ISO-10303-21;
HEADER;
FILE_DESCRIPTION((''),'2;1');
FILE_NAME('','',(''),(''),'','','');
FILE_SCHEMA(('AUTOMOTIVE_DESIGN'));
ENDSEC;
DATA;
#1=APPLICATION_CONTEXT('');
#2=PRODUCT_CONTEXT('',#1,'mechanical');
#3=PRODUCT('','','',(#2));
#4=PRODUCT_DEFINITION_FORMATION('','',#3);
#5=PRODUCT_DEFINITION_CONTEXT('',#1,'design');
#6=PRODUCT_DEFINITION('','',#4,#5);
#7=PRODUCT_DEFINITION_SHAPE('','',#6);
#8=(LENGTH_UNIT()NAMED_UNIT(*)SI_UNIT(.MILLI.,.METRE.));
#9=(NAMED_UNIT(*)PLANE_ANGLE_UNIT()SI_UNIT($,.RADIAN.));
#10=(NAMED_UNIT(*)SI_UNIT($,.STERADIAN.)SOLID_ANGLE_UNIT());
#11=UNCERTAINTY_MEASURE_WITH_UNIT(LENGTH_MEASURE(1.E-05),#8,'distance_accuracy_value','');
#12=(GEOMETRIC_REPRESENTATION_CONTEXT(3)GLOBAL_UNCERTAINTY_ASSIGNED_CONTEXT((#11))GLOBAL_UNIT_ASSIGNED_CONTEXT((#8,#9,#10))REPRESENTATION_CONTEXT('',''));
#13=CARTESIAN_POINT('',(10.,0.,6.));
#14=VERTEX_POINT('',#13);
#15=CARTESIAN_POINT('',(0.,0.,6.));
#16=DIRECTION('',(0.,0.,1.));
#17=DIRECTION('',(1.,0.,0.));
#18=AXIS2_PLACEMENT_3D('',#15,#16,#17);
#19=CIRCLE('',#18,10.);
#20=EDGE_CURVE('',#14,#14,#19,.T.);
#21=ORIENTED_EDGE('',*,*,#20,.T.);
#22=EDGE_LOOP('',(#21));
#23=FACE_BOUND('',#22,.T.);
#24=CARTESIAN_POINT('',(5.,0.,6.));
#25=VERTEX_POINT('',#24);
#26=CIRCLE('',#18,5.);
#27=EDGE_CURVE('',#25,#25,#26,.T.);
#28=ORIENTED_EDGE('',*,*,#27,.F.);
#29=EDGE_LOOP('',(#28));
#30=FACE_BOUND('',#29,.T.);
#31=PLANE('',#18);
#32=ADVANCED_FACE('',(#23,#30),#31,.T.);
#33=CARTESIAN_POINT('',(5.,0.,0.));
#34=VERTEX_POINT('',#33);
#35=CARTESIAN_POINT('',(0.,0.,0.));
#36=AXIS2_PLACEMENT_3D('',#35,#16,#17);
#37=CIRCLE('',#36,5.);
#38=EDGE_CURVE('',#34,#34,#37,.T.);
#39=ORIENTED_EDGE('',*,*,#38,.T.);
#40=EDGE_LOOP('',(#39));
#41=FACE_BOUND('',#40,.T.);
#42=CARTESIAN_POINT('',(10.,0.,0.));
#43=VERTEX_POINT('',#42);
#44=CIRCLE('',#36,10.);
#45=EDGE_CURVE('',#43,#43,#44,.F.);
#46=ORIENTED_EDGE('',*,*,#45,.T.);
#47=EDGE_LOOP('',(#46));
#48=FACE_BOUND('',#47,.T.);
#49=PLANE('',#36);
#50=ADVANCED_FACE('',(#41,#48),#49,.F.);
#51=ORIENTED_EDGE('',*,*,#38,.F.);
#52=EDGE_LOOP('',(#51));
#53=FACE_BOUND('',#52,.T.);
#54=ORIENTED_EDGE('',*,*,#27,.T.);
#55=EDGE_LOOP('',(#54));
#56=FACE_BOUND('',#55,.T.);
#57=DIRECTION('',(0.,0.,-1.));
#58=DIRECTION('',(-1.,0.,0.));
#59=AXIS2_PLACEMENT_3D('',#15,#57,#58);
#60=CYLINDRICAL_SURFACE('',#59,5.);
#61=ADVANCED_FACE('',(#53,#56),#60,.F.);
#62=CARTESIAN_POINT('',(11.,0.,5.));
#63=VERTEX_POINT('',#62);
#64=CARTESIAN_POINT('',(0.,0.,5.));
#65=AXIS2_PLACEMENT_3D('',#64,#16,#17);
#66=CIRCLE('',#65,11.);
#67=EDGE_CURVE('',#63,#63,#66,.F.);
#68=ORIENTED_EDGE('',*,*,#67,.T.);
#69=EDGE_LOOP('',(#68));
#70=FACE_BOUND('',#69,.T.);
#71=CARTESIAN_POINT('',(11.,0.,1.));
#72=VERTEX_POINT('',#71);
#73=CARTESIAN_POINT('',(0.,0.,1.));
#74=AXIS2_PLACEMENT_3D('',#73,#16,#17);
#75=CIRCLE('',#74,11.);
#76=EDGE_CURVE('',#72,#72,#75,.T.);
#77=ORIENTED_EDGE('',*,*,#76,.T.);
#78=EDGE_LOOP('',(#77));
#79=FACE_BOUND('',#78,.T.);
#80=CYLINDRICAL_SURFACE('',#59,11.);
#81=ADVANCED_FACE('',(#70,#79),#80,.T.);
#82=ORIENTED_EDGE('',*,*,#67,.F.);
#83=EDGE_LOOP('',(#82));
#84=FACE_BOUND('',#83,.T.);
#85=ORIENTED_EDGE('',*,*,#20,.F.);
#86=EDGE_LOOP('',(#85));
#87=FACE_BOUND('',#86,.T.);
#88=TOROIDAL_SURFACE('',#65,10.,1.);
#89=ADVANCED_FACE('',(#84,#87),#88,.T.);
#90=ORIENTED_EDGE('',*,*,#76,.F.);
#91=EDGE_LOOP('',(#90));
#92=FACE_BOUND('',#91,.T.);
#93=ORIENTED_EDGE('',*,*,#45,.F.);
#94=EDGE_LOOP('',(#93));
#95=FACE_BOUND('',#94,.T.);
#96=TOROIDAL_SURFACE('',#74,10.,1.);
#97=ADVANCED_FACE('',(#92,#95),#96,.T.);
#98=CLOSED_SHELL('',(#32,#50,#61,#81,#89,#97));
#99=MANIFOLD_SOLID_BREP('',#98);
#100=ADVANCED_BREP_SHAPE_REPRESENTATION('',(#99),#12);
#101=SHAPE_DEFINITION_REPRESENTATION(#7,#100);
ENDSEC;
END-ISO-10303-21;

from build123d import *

# Parameters (mm, degrees)
CROQUIS1_R              = 11
CROQUIS1_R_2            = 5
SALIENTE_EXTRUIR1_DEPTH = 6
REDONDEO1_R             = 1


with BuildPart() as part:
    # Croquis1 → Saliente-Extruir1 (new body)
    with BuildSketch(Plane.XY):
        Circle(CROQUIS1_R)
        Circle(CROQUIS1_R_2, mode=Mode.SUBTRACT)
    extrude(amount=SALIENTE_EXTRUIR1_DEPTH)

    # Redondeo1
    redondeo1_edges = [part.edges().sort_by_distance(p)[0] for p in [
        (-11, 0, 0),
        (-11, 0, 6),
    ]]
    fillet(redondeo1_edges, radius=REDONDEO1_R)


solid = part.part
